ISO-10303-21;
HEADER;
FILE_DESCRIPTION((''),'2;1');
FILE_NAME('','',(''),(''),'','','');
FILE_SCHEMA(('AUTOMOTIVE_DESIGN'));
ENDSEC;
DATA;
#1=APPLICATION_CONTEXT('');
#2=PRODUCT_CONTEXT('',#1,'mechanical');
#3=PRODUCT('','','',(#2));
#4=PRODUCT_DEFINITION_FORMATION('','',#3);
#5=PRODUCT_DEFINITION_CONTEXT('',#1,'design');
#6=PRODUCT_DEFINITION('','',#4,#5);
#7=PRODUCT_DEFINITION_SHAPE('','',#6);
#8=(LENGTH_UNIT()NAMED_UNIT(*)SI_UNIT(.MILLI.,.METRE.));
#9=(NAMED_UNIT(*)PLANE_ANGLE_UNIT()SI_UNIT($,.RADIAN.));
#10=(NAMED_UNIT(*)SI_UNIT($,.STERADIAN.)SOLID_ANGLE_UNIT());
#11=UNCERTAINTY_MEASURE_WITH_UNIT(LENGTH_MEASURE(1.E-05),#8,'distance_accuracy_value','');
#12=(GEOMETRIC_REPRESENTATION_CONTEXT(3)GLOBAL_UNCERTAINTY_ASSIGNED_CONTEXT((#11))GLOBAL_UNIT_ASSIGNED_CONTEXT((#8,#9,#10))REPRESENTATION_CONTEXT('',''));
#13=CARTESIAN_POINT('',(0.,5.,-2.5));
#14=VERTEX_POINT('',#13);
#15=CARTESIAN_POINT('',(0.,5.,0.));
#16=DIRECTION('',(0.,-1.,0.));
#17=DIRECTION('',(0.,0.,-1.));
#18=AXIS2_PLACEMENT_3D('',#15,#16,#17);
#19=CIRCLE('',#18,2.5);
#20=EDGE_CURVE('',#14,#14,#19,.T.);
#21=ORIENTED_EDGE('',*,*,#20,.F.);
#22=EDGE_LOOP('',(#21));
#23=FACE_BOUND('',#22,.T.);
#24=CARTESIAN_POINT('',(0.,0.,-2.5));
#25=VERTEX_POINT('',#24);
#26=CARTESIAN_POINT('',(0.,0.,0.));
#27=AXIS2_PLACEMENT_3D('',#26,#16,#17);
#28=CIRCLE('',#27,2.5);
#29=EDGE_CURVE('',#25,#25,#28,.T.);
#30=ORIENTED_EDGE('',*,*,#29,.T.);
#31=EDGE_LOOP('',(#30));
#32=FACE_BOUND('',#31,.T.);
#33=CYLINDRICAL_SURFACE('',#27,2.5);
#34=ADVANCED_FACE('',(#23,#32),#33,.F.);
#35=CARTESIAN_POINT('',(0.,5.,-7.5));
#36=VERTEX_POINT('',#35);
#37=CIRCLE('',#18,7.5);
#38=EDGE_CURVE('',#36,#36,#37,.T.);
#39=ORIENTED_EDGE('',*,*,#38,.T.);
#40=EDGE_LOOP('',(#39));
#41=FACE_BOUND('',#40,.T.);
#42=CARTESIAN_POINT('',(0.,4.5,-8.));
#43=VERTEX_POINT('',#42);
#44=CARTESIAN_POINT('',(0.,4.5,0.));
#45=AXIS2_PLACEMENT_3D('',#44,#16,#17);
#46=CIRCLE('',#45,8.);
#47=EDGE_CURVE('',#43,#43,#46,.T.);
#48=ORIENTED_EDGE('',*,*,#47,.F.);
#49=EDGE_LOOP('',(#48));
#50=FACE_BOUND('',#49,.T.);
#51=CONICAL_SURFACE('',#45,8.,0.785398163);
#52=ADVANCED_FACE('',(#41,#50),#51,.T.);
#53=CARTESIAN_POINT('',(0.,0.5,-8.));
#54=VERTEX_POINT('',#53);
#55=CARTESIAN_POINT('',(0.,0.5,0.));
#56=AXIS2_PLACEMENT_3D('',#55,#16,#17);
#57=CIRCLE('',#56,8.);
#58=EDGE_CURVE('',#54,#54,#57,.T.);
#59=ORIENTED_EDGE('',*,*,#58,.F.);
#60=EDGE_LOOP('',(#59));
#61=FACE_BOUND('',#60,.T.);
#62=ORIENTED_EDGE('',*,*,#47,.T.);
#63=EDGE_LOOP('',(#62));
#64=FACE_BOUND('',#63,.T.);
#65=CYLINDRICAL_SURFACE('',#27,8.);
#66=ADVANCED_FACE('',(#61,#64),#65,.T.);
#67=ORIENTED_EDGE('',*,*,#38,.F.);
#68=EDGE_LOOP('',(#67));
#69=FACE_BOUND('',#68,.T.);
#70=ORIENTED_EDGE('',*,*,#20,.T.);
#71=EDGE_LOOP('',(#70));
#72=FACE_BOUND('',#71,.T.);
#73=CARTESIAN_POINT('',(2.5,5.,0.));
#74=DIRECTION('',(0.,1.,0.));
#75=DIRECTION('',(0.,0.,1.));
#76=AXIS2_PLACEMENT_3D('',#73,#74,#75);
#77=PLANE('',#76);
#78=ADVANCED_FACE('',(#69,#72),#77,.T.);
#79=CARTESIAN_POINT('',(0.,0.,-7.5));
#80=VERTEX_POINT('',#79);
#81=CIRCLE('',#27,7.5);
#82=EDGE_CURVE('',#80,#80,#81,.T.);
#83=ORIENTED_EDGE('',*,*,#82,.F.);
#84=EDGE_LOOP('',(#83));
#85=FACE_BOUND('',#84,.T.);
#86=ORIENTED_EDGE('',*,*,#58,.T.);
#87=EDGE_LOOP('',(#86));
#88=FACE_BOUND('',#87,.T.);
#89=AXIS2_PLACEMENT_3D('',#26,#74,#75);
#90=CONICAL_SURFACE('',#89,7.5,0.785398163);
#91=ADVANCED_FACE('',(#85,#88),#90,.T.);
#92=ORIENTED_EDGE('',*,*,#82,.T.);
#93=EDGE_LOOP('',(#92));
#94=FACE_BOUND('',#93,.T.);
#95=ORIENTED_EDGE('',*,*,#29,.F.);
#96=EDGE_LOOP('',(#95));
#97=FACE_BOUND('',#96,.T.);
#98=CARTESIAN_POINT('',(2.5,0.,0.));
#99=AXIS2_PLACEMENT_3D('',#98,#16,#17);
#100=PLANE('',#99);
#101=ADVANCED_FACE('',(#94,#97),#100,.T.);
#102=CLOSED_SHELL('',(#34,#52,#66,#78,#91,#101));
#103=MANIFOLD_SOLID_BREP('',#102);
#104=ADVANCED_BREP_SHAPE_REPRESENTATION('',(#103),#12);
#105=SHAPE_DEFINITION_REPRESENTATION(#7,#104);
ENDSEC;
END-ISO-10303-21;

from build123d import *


with BuildPart() as part:
    # Sketch1 → Revolve1 (revolve)
    with BuildSketch(Plane.XY):
        Polygon((7.5, 5), (8, 4.5), (8, 0.5), (7.5, 0), (2.5, 0), (2.5, 5), align=None)
    revolve(axis=Axis((0, 0, 0), (0, 1, 0)))


solid = part.part
